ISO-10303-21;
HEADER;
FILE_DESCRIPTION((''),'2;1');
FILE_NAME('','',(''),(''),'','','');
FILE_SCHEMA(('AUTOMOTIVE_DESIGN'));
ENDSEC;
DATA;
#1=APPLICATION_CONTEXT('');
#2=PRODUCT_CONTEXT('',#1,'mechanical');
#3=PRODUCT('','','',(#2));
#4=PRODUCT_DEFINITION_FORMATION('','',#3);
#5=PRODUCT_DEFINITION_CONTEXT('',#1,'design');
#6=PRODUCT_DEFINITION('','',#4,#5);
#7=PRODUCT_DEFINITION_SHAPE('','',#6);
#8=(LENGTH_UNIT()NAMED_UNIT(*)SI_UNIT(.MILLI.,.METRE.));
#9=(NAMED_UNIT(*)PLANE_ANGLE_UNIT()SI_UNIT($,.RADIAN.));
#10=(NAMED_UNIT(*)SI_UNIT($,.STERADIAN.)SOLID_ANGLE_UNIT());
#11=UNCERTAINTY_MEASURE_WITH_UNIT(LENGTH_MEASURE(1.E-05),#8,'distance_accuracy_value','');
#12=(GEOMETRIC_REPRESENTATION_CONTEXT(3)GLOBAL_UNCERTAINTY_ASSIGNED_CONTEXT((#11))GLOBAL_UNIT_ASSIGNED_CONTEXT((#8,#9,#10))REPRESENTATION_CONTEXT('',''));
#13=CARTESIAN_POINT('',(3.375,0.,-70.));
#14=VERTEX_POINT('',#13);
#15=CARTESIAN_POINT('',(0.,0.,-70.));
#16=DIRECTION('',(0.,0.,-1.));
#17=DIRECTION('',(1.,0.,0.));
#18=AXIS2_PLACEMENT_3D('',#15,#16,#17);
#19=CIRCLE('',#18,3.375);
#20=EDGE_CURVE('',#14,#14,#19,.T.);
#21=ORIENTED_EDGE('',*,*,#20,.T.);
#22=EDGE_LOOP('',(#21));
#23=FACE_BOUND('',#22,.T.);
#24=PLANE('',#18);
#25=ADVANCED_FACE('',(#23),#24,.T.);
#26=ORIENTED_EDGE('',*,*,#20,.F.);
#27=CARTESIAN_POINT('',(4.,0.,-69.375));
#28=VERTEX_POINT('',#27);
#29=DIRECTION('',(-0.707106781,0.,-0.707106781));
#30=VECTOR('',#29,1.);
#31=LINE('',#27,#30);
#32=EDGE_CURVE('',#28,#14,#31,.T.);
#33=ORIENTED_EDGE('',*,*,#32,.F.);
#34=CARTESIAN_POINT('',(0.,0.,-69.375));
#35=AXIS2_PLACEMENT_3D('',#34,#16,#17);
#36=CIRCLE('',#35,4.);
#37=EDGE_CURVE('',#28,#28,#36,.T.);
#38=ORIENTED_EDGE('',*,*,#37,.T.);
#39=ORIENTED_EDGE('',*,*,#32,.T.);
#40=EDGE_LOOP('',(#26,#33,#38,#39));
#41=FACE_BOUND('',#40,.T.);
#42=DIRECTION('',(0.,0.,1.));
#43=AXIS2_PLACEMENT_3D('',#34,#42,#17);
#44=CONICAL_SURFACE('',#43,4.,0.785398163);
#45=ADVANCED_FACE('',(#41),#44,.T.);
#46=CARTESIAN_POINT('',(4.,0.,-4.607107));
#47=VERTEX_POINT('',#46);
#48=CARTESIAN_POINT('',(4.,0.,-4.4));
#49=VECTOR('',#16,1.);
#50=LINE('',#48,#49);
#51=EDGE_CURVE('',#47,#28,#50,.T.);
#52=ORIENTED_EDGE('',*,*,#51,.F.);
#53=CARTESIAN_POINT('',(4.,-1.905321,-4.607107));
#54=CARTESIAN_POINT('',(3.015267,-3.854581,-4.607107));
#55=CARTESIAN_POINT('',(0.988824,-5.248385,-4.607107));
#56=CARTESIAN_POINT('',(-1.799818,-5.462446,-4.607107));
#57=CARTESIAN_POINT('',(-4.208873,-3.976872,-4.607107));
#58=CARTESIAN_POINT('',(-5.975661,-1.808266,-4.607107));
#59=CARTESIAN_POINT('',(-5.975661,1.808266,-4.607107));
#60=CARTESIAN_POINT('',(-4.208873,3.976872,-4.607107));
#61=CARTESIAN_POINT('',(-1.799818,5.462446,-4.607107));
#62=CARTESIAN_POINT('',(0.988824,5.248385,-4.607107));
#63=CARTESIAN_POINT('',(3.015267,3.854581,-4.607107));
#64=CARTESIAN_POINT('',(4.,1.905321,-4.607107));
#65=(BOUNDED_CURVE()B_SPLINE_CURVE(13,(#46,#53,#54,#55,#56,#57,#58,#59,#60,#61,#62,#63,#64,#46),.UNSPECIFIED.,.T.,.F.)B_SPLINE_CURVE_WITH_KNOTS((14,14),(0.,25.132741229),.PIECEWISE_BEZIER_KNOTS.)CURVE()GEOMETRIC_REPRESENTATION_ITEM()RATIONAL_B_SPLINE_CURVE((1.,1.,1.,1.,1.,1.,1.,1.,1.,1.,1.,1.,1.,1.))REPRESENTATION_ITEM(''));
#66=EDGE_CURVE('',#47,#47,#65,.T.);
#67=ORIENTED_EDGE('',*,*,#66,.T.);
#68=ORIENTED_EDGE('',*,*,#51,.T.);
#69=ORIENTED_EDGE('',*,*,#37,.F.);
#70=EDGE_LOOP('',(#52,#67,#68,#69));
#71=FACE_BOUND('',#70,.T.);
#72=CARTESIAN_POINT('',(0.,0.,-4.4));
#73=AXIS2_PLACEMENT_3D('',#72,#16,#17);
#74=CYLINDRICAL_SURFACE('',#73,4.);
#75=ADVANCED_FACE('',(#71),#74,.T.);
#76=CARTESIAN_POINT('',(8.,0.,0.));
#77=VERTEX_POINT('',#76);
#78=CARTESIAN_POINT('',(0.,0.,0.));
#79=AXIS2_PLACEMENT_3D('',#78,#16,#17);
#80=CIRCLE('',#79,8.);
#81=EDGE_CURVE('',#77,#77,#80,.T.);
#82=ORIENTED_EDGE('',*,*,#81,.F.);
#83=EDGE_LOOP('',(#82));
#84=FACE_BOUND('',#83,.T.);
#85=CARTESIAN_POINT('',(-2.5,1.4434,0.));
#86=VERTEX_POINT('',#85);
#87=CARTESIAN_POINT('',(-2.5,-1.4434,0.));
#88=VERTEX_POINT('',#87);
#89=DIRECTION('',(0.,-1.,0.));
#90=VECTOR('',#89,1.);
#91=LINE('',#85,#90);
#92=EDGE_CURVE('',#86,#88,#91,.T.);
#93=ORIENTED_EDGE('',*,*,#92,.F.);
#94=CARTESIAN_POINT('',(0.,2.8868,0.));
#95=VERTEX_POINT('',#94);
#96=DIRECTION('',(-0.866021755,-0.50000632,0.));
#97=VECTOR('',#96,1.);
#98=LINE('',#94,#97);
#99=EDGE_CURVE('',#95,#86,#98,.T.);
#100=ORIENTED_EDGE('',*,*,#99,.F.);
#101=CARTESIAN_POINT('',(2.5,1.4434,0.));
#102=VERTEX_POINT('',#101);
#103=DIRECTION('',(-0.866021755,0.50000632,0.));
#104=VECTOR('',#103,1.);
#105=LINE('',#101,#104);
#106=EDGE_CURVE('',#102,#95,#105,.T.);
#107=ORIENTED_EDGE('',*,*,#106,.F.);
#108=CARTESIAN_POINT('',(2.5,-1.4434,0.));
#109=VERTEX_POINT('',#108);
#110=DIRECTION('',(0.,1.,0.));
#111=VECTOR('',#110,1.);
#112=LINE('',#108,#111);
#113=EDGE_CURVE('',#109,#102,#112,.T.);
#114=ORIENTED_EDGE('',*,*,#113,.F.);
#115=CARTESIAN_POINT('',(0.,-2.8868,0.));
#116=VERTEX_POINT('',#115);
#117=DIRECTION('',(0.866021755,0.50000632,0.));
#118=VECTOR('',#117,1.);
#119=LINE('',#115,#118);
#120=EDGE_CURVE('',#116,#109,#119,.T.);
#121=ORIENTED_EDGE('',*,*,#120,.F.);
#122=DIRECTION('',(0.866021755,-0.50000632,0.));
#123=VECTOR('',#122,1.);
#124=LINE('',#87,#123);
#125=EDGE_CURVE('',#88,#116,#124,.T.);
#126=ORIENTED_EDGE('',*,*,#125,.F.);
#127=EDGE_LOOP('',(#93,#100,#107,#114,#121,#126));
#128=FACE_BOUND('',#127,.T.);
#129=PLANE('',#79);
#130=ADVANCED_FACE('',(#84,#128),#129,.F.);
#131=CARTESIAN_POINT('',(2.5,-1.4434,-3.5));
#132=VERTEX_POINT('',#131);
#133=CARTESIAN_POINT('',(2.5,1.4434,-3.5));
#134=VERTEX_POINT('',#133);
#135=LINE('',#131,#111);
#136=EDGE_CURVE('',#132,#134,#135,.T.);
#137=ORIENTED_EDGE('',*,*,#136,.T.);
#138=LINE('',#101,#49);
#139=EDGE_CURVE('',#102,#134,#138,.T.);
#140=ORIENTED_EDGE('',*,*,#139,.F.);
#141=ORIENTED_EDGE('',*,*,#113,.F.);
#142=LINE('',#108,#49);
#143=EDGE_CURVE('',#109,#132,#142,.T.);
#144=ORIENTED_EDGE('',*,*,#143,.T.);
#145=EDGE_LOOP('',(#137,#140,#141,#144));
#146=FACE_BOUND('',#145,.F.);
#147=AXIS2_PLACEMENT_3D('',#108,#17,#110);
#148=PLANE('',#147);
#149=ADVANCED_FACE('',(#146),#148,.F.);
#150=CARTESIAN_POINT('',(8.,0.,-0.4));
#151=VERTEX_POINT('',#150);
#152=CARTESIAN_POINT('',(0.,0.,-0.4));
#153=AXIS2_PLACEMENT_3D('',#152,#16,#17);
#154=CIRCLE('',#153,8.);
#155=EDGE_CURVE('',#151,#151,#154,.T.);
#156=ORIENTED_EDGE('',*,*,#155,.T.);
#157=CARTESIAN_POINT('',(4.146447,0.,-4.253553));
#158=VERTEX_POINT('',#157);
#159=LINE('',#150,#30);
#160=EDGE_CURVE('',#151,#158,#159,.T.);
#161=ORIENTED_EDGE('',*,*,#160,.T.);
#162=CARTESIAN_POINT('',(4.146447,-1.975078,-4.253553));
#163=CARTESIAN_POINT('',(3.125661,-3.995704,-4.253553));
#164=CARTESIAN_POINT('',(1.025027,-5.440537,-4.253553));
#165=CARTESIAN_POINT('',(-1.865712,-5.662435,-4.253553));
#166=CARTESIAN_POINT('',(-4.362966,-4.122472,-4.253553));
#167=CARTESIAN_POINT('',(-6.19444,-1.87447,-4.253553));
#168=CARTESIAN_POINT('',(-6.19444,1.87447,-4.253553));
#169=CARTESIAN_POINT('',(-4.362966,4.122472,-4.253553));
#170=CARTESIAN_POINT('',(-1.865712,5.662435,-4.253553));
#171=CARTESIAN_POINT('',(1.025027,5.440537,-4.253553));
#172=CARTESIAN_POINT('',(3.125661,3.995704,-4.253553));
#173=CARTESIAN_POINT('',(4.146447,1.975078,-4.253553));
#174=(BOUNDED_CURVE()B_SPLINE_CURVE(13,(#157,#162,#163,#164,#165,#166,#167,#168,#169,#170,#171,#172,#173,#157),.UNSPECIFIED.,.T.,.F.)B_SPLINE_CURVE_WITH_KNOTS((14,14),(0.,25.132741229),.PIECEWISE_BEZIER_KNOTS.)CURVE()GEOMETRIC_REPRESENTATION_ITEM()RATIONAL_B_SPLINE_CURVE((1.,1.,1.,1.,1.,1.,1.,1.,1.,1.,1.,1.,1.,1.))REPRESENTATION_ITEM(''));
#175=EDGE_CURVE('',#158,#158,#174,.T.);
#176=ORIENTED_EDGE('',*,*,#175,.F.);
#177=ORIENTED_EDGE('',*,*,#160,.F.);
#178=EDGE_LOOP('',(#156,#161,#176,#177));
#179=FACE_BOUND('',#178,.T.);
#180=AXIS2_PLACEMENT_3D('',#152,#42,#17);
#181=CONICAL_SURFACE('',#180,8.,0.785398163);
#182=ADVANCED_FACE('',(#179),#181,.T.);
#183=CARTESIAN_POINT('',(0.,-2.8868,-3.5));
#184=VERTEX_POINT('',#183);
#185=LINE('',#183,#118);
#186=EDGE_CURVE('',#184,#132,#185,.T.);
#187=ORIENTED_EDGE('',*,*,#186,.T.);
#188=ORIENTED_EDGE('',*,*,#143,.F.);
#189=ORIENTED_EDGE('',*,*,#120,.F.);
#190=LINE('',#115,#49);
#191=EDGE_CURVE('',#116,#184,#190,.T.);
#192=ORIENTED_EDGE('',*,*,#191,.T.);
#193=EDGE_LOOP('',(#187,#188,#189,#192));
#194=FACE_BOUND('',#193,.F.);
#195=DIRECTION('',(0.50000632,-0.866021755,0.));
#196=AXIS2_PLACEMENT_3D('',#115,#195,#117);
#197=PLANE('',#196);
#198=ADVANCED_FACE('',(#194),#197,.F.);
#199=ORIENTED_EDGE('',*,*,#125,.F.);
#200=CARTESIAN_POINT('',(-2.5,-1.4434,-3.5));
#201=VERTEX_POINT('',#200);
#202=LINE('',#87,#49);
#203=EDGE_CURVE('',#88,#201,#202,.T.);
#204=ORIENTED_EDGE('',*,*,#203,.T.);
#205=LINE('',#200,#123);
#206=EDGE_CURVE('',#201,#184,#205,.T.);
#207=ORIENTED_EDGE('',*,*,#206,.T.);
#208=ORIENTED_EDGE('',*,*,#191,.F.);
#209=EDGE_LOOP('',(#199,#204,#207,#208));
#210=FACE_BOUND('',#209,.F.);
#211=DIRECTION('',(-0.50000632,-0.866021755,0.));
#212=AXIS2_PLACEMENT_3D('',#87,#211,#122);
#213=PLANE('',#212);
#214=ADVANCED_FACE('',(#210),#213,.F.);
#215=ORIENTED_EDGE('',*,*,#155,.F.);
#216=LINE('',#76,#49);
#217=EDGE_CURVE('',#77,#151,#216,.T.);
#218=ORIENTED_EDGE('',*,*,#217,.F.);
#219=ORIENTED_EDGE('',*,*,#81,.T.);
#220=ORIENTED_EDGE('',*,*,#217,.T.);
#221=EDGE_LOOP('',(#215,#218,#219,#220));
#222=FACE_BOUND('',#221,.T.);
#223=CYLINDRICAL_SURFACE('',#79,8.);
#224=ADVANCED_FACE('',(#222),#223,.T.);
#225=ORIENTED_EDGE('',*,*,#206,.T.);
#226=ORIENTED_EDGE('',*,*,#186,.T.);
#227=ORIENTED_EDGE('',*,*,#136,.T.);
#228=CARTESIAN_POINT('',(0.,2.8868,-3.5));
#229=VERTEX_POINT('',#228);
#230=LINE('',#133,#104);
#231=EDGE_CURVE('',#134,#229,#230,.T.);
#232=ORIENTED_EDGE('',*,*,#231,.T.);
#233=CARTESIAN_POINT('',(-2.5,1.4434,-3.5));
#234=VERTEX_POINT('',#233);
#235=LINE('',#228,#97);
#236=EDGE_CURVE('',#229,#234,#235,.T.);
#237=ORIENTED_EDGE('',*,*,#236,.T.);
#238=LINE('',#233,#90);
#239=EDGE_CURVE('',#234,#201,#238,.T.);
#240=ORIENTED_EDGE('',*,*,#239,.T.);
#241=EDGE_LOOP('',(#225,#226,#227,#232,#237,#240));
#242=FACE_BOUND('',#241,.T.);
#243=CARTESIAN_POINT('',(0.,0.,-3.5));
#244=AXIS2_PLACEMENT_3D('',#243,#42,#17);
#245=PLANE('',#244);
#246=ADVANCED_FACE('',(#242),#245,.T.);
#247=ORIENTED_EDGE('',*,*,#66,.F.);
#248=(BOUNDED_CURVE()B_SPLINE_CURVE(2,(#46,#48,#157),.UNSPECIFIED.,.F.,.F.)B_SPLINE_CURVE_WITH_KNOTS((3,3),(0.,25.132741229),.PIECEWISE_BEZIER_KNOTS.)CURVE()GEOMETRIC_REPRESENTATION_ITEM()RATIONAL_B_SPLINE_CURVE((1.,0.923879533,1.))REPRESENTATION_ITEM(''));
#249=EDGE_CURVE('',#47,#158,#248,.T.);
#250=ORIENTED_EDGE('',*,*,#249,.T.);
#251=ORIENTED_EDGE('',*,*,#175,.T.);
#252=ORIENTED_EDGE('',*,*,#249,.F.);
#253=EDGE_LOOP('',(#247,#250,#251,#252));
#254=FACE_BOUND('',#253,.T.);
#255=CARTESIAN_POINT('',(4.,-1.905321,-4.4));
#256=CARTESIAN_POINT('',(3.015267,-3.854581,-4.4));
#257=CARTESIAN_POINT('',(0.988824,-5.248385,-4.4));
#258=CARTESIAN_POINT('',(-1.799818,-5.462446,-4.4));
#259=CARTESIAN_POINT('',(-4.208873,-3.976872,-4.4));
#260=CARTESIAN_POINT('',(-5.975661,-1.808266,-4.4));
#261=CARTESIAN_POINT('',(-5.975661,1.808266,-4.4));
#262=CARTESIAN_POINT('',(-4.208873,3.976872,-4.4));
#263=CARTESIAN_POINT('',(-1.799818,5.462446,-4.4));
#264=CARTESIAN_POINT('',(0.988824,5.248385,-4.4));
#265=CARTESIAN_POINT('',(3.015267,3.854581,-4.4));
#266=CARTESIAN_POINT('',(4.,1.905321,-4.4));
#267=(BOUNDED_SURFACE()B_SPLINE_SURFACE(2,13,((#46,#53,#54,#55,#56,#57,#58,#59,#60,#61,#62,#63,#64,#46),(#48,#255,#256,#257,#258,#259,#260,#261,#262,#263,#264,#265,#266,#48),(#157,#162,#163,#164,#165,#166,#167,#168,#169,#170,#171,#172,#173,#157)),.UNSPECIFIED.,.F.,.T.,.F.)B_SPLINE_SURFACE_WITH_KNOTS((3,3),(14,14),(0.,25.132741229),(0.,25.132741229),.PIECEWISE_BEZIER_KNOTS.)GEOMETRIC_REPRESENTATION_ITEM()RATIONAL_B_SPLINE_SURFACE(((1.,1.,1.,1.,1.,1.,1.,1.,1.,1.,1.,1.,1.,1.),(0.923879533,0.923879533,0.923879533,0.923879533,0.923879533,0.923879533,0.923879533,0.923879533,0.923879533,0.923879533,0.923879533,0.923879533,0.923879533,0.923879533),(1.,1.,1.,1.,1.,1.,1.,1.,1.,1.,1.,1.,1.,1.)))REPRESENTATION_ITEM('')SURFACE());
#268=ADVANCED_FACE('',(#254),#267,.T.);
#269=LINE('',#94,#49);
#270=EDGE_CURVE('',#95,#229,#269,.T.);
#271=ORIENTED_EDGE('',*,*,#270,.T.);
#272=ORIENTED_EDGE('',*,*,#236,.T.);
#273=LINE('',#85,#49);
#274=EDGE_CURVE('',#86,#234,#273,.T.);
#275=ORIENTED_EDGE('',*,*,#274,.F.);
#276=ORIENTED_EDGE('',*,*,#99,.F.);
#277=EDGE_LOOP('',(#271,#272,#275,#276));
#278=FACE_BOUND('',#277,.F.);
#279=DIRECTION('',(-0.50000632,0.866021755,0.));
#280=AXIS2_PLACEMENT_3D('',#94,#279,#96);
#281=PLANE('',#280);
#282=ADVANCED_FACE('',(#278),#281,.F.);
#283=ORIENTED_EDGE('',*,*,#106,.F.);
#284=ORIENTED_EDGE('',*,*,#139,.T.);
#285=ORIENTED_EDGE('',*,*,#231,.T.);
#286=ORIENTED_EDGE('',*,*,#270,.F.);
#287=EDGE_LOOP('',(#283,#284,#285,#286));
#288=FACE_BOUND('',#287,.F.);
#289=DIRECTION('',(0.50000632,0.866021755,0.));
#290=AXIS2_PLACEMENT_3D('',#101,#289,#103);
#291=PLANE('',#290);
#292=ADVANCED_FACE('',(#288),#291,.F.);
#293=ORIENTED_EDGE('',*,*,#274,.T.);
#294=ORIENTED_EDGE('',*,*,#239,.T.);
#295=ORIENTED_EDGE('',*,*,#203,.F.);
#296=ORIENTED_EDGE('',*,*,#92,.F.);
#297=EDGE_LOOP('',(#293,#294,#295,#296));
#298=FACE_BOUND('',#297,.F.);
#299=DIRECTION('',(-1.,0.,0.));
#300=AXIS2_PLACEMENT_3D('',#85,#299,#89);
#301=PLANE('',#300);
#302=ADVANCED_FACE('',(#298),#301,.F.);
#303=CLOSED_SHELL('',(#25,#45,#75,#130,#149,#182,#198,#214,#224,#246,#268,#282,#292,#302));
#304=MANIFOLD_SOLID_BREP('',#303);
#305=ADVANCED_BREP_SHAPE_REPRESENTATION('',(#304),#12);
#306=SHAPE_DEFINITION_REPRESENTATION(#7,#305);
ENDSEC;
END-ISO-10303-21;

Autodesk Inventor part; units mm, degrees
ref_plane "YZ Plane" through (0, 0, 0) normal (1, 0, 0) x (0, 1, 0)
sketch "Sketch1" plane through (0, 0, 0) normal (0, 1, 0) x (-1, 0, 0)
  point P0 (0, 0)
sketch "Sketch2" plane through (0, 0, 0) normal (0, 1, 0) x (-1, 0, 0)
  line L0 (-4, -70) -> (0, -70)
  line L1 (-4, -4.4) -> (-4, -70)
  line L2 (-8, -0.4) -> (-4, -4.4)
  line L3 (-8, 0) -> (-8, -0.4)
  line L4 (0, 0) -> (-8, 0)
  line L5 (0, -70) -> (0, 0)
  line L6 (0, -70) -> (0, 0)
  line L7 (0, -84) -> (0, 14) projected
  line L8 (1.6, 0) -> (-9.6, 0) projected
  dimension "d3" = 8
  dimension "d5" = 4
  dimension "d7" = 70
  dimension "ParC" = 0.4
  dimension "d22" = 0
  dimension "d23" = 0
  dimension "d43" = 45
revolve "Revolution1" add sketch "Sketch2" angle 360 about axis through (0, 0, -70) along (0, 0, -1)
sketch "Sketch3" plane through (0, 0, 0) normal (0, 0, 1) x (1, 0, 0)
  line L0 (-2.5, 1.4434) -> (-2.5, -1.4434)
  line L1 (0, 2.8868) -> (-2.5, 1.4434)
  line L2 (2.5, 1.4434) -> (0, 2.8868)
  line L3 (2.5, -1.4434) -> (2.5, 1.4434)
  line L4 (0, -2.8868) -> (2.5, -1.4434)
  line L5 (-2.5, -1.4434) -> (0, -2.8868)
  circle A0 centre (0, 0) radius 2.5 construction
  circle A1 centre (0, 0) radius 4 construction
  dimension "d11" = 5
  dimension "d13" = 120
  dimension "d15" = 120
extrude "Extrusion1" cut sketch "Sketch3" against normal blind 3.5
fillet "Fillet1" radius 0.5 1 edges at (-4, 0, -4.4)
chamfer "Chamfer1" distance 0.625 angle 45 1 edges at (-4, 0, -70) measured on face at (-0.9596, 3.8832, -48.2024)
thread "Thread1" size "M8x1.25" class "6g" standard "ISO Metric profile" full length
ref_plane "MSC_PF1" through (0, 0, 0) normal (1, 0, 0) x (0, 1, 0)
ref_plane "MSC_PT1" through (0, 0, 0) normal (0, 0, -1) x (-1, 0, 0)
equation "\"d3\" = 0.5 * dk"
equation "\"d5\" = 0.5 * NND"
equation "\"d43\" = 0.5 * ang"
equation "\"d18\" = r"
equation "\"d19\" = 0.5 * PTC"
equation "\"d39\" = 0.5 * PTC"
equation "\"d11\" = ParS"
equation "\"d16\" = ParT"
equation "\"NND\" = 8"
equation "\"PTC\" = 1.25"
equation "\"dk\" = 16"
equation "\"ParK\" = 4.4"
equation "\"ParS\" = 5"
equation "\"ParT\" = 3.5"
equation "\"r\" = 0.5"
equation "\"ang\" = 90deg"
equation "\"THREADDIA\" = NND"
properties part number "DIN 7991 - M8x60" material "Steel, Mild"
